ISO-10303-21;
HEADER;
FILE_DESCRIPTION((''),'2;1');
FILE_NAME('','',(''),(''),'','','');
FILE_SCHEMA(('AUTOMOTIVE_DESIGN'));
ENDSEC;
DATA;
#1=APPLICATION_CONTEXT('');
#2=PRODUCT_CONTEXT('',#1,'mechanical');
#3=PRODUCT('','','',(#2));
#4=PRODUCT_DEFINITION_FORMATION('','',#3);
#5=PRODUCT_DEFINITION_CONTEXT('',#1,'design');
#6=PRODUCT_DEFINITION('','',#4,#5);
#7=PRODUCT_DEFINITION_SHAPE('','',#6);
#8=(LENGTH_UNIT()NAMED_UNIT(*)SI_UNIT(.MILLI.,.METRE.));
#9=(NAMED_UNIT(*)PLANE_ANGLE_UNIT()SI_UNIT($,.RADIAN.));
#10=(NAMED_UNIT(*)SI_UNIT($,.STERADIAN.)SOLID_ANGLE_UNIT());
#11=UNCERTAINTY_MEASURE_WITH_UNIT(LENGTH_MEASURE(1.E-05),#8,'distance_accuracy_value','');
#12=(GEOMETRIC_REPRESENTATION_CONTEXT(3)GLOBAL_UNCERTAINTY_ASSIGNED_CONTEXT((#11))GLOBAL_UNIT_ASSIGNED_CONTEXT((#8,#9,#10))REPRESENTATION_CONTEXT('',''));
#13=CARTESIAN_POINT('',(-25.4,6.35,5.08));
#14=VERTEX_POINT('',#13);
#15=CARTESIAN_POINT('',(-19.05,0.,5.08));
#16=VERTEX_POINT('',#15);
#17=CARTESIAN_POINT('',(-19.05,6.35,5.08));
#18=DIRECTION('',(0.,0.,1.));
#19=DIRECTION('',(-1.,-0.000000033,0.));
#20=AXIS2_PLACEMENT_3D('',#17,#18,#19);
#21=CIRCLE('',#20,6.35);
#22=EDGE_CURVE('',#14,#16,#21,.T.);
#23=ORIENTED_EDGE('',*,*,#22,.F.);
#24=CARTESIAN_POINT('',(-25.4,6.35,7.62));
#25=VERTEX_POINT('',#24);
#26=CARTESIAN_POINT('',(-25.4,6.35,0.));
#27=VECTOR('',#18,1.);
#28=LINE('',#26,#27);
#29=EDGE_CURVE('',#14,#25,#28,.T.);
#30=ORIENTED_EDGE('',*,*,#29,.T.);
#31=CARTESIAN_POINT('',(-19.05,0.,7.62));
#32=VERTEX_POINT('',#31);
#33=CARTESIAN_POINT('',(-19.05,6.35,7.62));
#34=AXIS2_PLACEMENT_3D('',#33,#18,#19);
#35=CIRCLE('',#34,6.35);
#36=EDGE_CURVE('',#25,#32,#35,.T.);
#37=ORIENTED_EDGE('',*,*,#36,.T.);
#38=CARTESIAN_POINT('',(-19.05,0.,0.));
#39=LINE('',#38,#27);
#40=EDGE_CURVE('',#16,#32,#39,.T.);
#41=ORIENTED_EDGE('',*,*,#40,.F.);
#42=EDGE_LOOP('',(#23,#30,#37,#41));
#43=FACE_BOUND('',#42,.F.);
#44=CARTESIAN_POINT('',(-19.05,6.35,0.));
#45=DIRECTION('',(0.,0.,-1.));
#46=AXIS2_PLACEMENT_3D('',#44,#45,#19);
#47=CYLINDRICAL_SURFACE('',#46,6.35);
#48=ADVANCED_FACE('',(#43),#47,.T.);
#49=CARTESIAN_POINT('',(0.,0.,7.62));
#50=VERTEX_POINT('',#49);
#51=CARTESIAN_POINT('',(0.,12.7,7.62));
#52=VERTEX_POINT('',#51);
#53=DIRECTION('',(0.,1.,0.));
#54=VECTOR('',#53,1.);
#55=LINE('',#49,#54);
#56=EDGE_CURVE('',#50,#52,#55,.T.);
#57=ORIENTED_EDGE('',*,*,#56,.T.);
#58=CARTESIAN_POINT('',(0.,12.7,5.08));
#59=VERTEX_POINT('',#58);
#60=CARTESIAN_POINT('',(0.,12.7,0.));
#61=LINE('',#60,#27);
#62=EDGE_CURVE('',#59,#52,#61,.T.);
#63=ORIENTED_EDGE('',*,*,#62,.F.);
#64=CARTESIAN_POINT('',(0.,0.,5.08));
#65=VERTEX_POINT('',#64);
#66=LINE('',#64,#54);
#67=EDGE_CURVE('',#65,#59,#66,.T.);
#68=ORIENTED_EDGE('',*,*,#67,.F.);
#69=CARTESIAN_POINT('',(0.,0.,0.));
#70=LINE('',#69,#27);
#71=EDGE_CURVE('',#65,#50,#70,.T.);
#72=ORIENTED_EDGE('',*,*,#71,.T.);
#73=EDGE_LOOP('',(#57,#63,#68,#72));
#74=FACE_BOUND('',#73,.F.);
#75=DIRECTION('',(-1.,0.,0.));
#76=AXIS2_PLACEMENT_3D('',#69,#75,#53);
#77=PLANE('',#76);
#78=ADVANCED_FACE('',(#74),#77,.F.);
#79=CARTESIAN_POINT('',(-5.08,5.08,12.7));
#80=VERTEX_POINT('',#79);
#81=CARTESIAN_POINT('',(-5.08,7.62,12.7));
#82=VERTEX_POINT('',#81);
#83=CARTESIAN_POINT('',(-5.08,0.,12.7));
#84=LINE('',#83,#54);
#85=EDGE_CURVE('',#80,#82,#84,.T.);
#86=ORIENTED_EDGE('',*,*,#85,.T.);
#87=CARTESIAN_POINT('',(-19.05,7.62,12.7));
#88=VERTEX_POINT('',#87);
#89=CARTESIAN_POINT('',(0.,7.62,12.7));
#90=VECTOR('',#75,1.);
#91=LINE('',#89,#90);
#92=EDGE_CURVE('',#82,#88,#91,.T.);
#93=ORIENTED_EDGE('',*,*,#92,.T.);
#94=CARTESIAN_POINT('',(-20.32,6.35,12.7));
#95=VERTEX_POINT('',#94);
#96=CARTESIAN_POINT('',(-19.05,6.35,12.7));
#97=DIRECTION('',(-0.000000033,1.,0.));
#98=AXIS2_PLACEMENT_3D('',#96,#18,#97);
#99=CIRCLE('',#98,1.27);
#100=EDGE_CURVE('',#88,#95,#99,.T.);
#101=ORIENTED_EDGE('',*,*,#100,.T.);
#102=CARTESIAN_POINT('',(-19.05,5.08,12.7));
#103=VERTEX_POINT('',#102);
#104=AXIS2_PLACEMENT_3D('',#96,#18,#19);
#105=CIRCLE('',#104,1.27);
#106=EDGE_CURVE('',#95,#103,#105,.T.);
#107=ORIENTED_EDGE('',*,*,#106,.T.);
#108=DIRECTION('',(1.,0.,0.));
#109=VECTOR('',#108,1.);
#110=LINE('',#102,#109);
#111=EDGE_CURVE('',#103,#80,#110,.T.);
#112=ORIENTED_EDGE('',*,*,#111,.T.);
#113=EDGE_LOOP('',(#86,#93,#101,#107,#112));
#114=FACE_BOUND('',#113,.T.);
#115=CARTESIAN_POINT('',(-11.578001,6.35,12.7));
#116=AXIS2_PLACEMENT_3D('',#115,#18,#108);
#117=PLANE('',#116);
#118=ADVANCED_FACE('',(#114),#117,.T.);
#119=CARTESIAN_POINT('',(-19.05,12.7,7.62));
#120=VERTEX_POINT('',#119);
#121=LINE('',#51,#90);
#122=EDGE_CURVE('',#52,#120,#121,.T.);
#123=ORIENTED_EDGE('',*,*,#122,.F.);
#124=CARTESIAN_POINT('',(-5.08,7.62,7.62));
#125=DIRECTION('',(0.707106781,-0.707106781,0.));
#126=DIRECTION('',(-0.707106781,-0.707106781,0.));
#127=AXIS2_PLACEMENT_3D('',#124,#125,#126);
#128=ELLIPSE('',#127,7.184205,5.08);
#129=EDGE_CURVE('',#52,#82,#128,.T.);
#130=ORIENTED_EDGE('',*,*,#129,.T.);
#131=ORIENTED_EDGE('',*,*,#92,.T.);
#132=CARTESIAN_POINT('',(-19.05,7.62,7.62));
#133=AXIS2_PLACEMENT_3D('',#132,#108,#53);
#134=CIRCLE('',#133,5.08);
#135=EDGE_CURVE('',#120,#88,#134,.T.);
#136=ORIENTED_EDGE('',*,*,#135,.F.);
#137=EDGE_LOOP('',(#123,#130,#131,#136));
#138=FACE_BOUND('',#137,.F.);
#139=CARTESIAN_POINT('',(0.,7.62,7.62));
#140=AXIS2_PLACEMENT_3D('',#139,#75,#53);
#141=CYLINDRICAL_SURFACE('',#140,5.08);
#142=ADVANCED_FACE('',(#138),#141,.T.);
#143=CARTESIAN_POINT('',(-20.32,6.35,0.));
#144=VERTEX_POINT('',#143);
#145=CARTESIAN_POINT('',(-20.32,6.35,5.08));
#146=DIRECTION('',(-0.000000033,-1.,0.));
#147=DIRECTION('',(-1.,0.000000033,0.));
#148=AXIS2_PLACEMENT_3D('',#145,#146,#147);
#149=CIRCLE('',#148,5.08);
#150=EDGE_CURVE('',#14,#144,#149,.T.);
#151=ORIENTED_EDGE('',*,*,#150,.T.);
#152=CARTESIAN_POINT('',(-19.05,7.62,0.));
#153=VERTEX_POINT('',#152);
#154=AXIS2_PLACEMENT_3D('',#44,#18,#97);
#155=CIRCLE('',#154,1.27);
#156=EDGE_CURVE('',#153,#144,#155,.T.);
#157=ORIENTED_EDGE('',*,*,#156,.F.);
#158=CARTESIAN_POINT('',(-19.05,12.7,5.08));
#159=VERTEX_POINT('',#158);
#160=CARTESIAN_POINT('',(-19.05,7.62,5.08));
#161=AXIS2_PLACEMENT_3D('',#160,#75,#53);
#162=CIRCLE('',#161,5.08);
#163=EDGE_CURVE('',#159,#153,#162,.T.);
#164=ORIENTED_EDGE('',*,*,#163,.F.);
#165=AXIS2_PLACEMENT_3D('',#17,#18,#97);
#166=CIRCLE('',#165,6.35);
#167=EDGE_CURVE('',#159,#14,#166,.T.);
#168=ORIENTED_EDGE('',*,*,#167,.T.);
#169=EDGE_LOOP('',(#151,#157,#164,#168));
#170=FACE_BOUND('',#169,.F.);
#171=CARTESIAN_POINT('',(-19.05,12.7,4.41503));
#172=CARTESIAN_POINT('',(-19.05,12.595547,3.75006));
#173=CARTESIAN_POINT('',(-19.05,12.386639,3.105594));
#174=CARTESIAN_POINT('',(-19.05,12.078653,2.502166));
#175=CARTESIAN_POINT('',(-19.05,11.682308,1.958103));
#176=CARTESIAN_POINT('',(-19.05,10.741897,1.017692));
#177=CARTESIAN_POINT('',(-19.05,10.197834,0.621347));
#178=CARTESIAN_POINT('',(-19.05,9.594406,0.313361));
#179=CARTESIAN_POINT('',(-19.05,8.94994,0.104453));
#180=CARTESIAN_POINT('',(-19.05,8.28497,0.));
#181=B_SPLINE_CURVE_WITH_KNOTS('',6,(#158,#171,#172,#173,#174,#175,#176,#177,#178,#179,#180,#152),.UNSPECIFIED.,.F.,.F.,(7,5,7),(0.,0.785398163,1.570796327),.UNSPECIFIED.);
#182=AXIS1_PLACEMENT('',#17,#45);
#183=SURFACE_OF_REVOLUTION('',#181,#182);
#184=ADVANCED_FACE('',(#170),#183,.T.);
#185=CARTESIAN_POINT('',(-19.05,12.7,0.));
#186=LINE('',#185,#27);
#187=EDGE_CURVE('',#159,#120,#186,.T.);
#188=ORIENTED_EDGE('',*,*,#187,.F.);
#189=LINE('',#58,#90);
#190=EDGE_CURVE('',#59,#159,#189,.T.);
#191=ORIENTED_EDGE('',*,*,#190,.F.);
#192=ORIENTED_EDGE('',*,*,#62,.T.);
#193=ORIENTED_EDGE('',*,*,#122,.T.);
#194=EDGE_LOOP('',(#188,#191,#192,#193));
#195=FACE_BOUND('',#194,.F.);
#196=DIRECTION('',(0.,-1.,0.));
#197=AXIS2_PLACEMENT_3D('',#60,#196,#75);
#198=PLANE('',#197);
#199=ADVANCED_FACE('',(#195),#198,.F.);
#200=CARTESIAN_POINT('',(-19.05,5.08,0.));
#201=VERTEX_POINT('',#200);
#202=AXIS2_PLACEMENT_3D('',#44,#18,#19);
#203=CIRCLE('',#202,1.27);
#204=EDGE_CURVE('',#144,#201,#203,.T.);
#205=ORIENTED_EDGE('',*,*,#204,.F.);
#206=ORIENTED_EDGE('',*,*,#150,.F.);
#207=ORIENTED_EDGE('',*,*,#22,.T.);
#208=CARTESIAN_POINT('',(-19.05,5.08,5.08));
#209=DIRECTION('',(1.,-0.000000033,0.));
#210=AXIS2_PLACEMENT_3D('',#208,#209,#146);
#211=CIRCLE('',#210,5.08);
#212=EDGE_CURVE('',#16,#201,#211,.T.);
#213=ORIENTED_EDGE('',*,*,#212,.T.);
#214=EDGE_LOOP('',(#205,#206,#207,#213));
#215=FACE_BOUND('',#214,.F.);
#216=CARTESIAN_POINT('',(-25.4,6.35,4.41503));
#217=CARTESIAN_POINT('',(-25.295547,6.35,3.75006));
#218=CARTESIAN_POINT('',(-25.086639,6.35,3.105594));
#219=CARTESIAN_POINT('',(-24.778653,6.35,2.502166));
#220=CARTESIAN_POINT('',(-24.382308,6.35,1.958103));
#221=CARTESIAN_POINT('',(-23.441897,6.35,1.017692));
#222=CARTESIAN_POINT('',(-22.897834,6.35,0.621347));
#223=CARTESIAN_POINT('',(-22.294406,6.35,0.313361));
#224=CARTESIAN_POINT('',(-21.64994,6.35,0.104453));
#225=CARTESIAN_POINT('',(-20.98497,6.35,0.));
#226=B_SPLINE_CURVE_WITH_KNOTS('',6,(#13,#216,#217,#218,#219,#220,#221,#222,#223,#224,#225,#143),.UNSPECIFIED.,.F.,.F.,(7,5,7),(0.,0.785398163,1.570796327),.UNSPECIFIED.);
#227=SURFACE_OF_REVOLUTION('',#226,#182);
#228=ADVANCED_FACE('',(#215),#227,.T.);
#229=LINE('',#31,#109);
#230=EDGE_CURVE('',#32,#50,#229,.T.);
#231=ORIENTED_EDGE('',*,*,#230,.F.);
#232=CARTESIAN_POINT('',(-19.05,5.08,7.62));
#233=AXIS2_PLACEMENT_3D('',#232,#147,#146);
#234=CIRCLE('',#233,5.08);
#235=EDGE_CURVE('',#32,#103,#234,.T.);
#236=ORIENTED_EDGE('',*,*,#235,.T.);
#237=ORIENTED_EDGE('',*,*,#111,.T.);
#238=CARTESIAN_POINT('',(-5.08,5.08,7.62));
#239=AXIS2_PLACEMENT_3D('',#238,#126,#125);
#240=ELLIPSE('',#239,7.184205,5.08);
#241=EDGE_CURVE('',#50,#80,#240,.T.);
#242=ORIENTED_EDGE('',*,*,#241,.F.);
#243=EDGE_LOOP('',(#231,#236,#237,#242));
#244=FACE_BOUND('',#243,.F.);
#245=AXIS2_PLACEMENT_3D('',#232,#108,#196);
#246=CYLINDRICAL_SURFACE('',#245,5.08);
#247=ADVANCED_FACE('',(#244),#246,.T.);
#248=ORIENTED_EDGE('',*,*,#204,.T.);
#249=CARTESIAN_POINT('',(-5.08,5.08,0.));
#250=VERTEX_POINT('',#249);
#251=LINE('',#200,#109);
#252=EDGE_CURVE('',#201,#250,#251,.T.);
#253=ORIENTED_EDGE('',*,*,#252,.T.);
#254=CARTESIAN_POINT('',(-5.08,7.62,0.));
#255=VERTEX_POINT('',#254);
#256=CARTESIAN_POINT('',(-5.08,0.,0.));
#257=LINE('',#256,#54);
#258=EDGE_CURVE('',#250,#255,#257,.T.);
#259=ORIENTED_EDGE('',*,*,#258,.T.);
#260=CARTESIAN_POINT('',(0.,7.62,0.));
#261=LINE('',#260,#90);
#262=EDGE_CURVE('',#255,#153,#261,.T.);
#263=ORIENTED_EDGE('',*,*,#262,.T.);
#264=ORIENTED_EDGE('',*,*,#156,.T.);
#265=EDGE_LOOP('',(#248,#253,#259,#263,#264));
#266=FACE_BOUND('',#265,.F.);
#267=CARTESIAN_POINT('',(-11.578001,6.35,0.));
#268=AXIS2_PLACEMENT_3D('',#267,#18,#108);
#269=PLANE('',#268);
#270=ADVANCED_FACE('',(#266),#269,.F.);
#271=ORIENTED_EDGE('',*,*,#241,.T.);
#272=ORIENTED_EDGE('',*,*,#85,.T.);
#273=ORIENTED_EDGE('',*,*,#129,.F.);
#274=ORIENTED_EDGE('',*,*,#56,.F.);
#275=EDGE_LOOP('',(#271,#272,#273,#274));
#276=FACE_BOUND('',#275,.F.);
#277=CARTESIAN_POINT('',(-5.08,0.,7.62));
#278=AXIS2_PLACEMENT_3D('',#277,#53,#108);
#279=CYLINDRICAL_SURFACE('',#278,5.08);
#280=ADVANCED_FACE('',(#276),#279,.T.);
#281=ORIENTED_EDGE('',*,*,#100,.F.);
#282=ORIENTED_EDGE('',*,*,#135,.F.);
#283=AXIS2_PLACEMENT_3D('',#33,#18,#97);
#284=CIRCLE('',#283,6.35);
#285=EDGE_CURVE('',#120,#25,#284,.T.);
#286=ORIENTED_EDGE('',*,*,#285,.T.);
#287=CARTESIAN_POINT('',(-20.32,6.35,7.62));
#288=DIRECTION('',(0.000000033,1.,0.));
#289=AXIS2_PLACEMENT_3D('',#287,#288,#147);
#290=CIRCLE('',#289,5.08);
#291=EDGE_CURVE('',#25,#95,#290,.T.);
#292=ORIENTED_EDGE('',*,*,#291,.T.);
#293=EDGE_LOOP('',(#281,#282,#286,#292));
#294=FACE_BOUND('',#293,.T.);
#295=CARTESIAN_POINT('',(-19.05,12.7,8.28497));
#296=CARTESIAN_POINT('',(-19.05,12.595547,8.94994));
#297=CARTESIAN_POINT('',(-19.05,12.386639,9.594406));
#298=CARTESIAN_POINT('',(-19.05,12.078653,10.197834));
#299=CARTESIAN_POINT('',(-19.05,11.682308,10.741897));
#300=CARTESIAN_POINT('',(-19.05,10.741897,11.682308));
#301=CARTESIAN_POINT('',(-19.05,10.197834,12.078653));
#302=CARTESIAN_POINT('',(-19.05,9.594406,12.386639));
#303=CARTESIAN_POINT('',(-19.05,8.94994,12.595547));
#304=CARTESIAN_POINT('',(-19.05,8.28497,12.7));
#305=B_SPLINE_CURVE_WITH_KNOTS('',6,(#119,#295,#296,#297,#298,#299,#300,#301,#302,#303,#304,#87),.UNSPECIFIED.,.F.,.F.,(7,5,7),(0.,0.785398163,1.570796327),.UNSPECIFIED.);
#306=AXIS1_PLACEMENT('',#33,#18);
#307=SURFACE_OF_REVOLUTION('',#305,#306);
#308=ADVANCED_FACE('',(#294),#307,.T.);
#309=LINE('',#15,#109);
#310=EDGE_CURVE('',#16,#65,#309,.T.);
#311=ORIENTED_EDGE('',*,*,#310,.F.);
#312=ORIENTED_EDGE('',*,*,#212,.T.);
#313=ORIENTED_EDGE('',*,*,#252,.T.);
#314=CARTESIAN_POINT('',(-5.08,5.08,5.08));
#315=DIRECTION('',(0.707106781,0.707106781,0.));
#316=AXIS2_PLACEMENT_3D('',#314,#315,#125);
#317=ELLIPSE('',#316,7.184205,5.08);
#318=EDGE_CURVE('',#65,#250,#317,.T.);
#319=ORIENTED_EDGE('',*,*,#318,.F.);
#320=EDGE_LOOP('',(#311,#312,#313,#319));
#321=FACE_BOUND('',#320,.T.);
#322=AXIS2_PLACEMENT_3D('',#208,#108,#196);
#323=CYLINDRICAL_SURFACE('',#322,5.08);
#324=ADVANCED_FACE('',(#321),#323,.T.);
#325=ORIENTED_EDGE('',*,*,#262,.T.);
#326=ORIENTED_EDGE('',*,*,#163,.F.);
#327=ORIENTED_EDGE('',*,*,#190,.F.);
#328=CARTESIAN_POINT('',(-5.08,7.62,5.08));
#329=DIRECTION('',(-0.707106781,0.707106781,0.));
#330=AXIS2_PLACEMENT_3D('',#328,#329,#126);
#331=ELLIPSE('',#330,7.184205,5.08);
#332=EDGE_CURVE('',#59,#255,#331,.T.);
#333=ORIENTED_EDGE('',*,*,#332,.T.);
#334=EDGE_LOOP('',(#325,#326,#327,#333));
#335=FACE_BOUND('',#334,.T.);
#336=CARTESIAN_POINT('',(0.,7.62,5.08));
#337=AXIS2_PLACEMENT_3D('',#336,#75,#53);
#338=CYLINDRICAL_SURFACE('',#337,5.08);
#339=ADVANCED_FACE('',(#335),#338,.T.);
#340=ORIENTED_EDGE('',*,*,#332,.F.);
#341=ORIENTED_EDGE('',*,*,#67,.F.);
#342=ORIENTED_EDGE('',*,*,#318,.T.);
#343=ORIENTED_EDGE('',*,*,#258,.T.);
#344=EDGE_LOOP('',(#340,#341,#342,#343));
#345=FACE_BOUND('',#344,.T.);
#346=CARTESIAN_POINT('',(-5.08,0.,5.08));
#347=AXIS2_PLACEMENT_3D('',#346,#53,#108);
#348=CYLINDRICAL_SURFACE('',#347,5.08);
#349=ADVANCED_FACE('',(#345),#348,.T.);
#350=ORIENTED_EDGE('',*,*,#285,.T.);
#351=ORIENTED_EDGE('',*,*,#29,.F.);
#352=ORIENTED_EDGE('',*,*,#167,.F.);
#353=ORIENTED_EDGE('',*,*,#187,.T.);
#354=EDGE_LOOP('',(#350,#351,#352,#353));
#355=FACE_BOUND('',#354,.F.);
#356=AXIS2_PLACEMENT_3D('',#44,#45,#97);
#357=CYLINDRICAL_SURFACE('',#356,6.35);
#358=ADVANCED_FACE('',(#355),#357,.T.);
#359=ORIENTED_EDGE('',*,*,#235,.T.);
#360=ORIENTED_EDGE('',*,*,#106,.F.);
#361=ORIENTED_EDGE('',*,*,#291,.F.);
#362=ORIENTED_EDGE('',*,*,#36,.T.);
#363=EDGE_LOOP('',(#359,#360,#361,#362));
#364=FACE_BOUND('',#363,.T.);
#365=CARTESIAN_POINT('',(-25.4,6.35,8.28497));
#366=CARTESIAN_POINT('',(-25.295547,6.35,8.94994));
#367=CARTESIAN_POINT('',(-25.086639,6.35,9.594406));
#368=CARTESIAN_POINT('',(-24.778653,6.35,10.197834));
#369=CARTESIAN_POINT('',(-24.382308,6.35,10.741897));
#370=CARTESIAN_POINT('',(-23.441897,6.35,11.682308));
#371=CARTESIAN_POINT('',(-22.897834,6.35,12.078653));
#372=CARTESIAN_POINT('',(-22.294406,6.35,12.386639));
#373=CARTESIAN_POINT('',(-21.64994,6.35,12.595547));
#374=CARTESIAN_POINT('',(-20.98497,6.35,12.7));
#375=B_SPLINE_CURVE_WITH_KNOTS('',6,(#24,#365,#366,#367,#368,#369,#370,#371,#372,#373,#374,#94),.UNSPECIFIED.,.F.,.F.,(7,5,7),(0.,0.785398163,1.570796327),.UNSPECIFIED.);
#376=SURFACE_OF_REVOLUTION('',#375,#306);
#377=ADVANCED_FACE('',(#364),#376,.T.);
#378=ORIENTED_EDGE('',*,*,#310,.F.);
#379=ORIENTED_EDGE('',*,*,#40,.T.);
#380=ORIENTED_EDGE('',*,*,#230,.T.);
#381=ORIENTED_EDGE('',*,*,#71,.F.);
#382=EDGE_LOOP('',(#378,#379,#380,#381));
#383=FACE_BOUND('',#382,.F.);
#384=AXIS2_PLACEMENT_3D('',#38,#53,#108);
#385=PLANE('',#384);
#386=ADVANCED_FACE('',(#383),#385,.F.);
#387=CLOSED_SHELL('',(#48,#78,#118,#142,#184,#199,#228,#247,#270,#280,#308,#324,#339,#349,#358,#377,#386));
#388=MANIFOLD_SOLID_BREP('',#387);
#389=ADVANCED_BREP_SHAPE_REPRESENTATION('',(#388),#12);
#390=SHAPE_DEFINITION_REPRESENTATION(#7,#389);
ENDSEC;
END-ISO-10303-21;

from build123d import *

# Parameters (mm, degrees)
F1_DEPTH = 12.7
F2_R     = 5.08


with BuildPart() as f1:
    # F0 (on Top) → F1 (new body)
    with BuildSketch(Plane.XY):
        with BuildLine():
            Line((0, 12.7), (-19.05, 12.7))
            ThreePointArc((-19.05, 12.7), (-23.540128, 10.840128), (-25.4, 6.35))
            ThreePointArc((-25.4, 6.35), (-23.540128, 1.859872), (-19.05, 0))
            Line((-19.05, 0), (0, 0))
            Line((0, 0), (0, 12.7))
        make_face()
    extrude(amount=F1_DEPTH)

    # F2
    f2_edges = [f1.edges().sort_by_distance(p)[0] for p in [
        (-9.525, 0, 12.7),
        (0, 6.35, 12.7),
        (-9.525, 12.7, 12.7),
        (-25.4, 6.35, 12.7),
        (-9.525, 0, 0),
        (0, 6.35, 0),
        (-9.525, 12.7, 0),
        (-25.4, 6.35, 0),
    ]]
    fillet(f2_edges, radius=F2_R)


solid = f1.part
